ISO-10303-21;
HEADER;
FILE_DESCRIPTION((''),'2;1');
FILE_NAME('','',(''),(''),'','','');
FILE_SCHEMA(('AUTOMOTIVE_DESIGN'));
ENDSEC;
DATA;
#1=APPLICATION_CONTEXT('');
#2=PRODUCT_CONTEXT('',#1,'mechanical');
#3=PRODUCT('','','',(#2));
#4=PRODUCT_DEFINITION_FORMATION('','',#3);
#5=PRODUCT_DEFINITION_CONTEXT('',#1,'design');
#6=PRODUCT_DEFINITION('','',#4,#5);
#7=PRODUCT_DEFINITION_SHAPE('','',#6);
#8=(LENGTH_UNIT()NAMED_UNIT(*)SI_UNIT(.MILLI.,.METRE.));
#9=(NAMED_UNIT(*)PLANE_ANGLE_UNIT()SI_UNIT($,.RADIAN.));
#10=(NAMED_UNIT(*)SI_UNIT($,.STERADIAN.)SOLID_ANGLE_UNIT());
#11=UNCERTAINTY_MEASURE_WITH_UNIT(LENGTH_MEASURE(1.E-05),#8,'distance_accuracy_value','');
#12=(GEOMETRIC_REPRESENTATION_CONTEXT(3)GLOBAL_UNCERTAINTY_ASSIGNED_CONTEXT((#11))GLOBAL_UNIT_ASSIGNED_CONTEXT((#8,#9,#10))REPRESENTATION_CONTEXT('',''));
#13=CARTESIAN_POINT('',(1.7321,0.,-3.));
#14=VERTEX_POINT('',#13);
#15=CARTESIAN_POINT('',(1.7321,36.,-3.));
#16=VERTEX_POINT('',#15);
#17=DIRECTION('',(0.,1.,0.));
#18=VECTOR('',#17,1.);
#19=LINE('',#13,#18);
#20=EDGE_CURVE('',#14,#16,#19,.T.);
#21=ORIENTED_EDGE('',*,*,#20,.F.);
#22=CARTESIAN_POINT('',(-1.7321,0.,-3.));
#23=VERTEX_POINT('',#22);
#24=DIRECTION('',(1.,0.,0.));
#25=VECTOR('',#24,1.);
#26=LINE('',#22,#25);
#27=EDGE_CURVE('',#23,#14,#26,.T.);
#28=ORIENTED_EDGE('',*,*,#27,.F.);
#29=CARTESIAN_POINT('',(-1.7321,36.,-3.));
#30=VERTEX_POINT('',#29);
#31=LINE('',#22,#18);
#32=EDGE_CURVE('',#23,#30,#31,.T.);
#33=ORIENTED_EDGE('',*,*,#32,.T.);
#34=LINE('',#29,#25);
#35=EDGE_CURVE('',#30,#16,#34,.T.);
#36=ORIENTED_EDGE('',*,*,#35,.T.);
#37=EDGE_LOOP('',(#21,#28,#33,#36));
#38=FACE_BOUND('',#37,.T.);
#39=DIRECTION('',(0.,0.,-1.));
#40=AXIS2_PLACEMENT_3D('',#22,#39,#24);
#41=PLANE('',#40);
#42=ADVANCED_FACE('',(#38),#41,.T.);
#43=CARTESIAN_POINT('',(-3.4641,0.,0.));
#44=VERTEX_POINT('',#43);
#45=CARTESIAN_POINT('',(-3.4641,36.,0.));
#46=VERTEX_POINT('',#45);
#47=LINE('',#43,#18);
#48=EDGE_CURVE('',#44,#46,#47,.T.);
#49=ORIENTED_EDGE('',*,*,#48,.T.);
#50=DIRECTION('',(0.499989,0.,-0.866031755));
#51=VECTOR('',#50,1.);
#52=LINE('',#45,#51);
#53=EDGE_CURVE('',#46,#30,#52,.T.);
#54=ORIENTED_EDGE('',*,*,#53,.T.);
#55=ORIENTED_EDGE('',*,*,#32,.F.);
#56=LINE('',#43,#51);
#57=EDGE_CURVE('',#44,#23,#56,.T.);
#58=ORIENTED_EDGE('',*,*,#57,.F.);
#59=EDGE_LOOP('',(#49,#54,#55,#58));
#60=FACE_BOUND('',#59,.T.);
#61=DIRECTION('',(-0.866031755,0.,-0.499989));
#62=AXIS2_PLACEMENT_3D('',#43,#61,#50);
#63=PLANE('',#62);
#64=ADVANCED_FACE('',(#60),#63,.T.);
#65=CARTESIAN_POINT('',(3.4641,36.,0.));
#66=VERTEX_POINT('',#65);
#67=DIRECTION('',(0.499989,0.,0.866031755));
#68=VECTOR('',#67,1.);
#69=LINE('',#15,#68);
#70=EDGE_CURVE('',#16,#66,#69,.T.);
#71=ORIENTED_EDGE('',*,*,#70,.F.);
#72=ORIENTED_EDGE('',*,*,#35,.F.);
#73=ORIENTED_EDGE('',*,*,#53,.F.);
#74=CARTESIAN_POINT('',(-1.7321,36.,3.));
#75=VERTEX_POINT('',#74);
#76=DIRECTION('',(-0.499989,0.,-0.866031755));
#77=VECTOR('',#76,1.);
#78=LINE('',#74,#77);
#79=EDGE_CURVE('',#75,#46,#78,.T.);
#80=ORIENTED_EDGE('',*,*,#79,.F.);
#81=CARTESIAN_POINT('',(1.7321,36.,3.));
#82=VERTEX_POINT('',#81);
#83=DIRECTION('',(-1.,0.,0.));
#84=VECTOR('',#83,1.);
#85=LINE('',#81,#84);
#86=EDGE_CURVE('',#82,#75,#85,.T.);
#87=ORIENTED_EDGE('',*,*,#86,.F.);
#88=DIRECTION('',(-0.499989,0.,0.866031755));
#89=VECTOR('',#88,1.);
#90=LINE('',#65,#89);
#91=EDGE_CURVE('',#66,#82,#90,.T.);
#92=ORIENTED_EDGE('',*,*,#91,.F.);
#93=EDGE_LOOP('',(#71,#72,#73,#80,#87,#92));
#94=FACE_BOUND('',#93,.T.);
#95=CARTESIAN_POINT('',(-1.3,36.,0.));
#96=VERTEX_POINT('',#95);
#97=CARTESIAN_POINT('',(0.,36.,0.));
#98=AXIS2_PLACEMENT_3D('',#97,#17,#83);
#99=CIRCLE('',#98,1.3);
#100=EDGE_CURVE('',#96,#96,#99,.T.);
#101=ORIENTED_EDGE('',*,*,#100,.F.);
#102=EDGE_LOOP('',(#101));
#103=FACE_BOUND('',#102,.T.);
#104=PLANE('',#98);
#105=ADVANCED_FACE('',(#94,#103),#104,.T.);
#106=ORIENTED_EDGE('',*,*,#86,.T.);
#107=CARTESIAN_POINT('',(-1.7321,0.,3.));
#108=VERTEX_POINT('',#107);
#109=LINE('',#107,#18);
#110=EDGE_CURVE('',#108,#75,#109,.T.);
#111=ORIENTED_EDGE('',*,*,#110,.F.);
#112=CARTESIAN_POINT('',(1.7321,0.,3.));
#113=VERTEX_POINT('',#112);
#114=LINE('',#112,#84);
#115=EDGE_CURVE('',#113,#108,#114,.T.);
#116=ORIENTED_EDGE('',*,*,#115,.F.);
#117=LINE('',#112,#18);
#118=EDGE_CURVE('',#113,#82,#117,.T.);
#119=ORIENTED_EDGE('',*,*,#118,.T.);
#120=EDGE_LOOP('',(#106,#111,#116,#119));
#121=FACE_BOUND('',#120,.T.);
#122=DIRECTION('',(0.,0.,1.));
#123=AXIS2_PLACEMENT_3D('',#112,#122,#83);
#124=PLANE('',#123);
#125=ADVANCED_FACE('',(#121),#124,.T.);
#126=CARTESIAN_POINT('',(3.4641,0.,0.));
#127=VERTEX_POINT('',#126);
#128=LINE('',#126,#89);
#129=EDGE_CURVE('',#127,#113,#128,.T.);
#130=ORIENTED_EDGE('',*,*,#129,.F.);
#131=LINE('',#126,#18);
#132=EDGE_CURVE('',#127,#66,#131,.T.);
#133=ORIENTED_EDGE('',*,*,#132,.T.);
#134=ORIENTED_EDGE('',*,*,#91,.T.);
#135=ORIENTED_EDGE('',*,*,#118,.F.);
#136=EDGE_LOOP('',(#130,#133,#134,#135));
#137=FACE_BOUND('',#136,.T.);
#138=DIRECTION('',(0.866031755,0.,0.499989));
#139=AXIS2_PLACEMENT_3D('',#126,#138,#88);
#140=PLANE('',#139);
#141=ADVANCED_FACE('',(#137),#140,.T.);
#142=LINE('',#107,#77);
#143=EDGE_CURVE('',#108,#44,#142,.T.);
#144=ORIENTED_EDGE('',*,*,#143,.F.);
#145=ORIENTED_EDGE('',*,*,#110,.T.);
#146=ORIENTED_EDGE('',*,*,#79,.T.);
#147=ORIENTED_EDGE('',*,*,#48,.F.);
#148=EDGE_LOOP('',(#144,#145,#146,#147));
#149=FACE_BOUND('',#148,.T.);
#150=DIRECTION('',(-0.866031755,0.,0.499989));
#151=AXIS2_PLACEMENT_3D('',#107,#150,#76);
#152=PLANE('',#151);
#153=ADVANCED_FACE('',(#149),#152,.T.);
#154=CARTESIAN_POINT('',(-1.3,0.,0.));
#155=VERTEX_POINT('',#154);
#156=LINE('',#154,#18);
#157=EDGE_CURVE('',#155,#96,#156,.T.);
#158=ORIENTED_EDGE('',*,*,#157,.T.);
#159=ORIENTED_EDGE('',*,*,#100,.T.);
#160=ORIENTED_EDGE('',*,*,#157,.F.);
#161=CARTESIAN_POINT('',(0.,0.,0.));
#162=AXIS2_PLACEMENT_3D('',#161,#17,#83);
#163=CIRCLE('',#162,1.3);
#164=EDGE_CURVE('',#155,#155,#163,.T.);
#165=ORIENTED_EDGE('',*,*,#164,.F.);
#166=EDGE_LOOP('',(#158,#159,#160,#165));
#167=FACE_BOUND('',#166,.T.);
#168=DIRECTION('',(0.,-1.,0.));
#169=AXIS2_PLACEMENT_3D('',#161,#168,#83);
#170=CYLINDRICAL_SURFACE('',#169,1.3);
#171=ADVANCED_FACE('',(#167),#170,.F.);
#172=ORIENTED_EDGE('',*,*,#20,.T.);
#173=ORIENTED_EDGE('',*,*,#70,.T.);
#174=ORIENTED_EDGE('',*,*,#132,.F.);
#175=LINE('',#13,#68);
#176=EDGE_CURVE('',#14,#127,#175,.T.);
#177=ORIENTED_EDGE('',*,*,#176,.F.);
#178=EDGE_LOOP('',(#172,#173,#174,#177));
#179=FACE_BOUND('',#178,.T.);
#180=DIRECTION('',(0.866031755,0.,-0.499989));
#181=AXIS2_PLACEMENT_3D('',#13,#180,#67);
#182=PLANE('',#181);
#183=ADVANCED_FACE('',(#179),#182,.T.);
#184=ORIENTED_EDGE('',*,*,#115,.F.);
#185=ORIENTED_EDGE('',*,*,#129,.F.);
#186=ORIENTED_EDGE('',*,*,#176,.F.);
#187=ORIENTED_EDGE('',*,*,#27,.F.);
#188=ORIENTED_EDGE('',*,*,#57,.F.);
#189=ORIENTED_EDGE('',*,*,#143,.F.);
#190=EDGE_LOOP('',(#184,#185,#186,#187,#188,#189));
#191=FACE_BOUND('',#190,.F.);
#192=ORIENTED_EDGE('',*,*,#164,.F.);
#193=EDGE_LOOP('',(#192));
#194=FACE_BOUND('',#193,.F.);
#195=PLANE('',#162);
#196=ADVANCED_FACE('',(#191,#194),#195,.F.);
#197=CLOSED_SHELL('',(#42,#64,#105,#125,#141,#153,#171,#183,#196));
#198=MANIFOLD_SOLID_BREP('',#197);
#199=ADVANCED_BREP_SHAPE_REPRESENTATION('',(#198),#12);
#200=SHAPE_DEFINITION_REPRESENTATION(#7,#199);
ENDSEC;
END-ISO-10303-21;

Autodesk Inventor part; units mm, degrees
ref_plane "YZ Plane" through (0, 0, 0) normal (1, 0, 0) x (0, 1, 0)
ref_plane "XZ Plane" through (0, 0, 0) normal (0, 1, 0) x (-1, 0, 0)
ref_plane "XY Plane" through (0, 0, 0) normal (0, 0, 1) x (1, 0, 0)
sketch "Sketch1" plane through (0, 0, 0) normal (0, 1, 0) x (-1, 0, 0)
  line L0 (3.4641, 0) -> (1.7321, -3)
  line L1 (1.7321, -3) -> (-1.7321, -3)
  line L2 (-1.7321, -3) -> (-3.4641, 0)
  line L3 (-3.4641, 0) -> (-1.7321, 3)
  line L4 (-1.7321, 3) -> (1.7321, 3)
  line L5 (1.7321, 3) -> (3.4641, 0)
  circle A0 centre (0, 0) radius 1.3
  dimension "d0" = 6
  dimension "d1" = 2.6
  dimension "d5" = 3
extrude "Extrusion1" add sketch "Sketch1" along normal blind 36
properties part number "spacer-50mm_2-6"
